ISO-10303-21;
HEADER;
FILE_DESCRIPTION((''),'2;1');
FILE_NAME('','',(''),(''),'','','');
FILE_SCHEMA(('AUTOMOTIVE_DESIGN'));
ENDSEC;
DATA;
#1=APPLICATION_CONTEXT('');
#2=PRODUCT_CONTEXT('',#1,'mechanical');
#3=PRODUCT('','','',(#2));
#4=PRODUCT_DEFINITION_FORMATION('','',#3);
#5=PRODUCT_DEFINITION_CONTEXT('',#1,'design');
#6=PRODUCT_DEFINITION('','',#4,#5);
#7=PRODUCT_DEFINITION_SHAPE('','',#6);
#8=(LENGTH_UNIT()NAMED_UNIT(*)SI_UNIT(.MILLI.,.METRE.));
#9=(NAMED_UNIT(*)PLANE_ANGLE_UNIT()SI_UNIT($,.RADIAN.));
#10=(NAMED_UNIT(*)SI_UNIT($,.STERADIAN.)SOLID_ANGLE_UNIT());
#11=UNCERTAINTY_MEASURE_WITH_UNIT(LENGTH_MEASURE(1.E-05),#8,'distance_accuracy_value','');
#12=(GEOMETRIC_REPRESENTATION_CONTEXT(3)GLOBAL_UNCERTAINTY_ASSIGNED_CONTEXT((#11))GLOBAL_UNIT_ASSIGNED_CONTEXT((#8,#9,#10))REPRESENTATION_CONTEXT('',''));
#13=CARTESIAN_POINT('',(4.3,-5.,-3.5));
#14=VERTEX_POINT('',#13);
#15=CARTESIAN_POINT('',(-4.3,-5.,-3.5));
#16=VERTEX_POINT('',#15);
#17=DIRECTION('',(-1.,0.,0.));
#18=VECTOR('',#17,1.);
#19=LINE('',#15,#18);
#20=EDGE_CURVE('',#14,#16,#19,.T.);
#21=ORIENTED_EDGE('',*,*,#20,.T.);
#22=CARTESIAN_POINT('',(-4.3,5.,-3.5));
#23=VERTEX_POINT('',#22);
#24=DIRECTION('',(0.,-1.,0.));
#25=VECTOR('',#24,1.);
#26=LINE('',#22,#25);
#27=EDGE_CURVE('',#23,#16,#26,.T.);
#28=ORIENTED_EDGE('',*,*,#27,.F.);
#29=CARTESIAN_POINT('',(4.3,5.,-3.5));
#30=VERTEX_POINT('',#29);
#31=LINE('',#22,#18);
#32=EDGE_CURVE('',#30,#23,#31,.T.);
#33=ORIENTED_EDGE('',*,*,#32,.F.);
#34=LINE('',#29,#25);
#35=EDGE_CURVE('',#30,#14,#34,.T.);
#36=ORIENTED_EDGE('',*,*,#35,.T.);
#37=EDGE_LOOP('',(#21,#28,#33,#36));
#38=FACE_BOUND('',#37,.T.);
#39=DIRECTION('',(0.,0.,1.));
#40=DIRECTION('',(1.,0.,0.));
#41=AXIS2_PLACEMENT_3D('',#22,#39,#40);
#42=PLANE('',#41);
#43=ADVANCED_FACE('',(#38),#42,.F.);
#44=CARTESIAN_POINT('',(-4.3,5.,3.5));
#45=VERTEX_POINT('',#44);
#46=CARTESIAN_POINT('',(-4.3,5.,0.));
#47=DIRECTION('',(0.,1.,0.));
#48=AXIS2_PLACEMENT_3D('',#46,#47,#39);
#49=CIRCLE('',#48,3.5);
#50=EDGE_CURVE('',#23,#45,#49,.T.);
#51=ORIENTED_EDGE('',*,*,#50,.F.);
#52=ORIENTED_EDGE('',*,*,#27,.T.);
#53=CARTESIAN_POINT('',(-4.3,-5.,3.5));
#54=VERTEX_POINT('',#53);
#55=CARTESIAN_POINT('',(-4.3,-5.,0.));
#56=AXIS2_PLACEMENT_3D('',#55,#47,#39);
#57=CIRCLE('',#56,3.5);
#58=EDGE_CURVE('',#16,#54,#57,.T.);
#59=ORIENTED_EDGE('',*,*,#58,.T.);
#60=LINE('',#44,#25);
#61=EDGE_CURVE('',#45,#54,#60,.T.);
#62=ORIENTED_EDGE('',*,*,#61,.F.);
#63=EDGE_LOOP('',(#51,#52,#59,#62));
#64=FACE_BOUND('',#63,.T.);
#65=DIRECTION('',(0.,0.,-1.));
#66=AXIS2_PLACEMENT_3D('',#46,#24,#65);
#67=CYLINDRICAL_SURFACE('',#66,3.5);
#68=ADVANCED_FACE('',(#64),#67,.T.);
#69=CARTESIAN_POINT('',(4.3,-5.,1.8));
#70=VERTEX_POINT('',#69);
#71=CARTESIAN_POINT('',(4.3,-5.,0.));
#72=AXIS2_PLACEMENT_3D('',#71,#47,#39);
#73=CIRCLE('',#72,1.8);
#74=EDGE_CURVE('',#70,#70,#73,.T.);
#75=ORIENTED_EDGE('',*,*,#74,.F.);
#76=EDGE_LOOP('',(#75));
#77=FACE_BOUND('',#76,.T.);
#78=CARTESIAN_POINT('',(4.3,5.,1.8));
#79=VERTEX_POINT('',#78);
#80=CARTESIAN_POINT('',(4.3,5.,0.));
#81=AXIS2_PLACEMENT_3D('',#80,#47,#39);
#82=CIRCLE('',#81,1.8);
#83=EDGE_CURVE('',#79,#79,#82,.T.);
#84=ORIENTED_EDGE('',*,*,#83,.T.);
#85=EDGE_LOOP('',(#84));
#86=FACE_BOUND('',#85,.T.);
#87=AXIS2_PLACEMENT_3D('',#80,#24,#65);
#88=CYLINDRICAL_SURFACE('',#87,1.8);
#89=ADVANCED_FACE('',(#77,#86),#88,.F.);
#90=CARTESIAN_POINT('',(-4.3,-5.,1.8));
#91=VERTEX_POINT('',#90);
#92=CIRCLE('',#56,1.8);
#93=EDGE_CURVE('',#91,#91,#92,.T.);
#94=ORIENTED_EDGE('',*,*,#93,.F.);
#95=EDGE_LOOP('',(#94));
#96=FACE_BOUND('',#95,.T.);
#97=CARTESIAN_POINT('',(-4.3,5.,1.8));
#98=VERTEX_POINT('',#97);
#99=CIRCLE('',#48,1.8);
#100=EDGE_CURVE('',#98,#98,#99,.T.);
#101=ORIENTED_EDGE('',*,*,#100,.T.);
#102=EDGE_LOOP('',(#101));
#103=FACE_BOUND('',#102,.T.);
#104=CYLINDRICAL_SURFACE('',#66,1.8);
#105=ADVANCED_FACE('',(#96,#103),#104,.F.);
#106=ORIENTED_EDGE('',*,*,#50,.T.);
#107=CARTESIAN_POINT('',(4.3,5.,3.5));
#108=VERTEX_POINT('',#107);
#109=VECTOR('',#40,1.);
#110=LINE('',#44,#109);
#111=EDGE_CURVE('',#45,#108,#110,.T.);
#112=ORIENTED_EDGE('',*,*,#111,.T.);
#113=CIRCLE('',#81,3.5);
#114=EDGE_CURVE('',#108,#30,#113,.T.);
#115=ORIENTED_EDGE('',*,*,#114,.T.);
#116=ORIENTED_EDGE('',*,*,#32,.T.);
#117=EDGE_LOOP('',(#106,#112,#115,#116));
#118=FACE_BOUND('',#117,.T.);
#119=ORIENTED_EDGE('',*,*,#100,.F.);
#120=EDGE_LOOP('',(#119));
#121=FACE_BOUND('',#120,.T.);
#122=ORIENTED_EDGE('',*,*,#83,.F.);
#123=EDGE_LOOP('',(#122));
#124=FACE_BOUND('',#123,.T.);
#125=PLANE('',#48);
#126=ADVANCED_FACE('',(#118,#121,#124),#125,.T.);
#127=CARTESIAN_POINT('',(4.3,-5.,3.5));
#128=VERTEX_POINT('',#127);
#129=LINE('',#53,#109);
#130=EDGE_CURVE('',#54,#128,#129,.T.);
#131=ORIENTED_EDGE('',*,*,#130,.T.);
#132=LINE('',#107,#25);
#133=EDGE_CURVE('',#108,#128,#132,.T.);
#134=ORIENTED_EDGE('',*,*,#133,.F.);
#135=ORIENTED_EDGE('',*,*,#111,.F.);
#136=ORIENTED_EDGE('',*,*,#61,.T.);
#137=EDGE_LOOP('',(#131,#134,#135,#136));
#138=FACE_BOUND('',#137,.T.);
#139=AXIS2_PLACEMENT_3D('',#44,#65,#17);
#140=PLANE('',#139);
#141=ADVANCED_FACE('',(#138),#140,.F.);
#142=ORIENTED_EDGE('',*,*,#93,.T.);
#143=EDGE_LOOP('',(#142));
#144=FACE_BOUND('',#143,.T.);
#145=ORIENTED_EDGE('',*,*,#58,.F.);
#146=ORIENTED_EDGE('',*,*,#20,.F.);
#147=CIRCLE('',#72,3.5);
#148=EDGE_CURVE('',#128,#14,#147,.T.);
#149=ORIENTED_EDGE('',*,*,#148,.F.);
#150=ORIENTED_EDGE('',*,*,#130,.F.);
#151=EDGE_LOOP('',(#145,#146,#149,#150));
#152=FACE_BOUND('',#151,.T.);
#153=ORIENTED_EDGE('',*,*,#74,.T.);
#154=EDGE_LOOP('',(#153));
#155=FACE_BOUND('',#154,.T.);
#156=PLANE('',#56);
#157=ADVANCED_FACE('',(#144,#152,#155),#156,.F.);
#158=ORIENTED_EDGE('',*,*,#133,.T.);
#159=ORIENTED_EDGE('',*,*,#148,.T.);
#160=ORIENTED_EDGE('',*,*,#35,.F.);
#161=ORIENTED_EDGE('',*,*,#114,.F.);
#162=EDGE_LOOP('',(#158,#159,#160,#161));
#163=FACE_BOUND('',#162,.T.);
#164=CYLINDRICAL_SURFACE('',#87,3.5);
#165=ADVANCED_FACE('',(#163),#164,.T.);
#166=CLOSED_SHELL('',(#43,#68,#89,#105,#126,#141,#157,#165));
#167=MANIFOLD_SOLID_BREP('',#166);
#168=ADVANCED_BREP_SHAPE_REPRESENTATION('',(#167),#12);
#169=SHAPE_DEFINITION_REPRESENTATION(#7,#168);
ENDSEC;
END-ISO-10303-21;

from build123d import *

# Parameters (mm, degrees)
SKETCH1_R           = 1.8
BOSS_EXTRUDE1_DEPTH = 5


with BuildPart() as part:
    # Sketch1 → Boss-Extrude1 (new, symmetric)
    with BuildSketch(Plane(origin=(0, 0, 0), x_dir=(1, 0, 0), z_dir=(0, 1, 0))):
        with BuildLine():
            Line((-4.3, 3.5), (4.3, 3.5))
            ThreePointArc((4.3, 3.5), (7.8, 0), (4.3, -3.5))
            Line((4.3, -3.5), (-4.3, -3.5))
            ThreePointArc((-4.3, -3.5), (-7.8, 0), (-4.3, 3.5))
        make_face()
        with Locations((-4.3, 0)):
            Circle(SKETCH1_R, mode=Mode.SUBTRACT)
        with Locations((4.3, 0)):
            Circle(SKETCH1_R, mode=Mode.SUBTRACT)
    extrude(amount=BOSS_EXTRUDE1_DEPTH, both=True)


solid = part.part
